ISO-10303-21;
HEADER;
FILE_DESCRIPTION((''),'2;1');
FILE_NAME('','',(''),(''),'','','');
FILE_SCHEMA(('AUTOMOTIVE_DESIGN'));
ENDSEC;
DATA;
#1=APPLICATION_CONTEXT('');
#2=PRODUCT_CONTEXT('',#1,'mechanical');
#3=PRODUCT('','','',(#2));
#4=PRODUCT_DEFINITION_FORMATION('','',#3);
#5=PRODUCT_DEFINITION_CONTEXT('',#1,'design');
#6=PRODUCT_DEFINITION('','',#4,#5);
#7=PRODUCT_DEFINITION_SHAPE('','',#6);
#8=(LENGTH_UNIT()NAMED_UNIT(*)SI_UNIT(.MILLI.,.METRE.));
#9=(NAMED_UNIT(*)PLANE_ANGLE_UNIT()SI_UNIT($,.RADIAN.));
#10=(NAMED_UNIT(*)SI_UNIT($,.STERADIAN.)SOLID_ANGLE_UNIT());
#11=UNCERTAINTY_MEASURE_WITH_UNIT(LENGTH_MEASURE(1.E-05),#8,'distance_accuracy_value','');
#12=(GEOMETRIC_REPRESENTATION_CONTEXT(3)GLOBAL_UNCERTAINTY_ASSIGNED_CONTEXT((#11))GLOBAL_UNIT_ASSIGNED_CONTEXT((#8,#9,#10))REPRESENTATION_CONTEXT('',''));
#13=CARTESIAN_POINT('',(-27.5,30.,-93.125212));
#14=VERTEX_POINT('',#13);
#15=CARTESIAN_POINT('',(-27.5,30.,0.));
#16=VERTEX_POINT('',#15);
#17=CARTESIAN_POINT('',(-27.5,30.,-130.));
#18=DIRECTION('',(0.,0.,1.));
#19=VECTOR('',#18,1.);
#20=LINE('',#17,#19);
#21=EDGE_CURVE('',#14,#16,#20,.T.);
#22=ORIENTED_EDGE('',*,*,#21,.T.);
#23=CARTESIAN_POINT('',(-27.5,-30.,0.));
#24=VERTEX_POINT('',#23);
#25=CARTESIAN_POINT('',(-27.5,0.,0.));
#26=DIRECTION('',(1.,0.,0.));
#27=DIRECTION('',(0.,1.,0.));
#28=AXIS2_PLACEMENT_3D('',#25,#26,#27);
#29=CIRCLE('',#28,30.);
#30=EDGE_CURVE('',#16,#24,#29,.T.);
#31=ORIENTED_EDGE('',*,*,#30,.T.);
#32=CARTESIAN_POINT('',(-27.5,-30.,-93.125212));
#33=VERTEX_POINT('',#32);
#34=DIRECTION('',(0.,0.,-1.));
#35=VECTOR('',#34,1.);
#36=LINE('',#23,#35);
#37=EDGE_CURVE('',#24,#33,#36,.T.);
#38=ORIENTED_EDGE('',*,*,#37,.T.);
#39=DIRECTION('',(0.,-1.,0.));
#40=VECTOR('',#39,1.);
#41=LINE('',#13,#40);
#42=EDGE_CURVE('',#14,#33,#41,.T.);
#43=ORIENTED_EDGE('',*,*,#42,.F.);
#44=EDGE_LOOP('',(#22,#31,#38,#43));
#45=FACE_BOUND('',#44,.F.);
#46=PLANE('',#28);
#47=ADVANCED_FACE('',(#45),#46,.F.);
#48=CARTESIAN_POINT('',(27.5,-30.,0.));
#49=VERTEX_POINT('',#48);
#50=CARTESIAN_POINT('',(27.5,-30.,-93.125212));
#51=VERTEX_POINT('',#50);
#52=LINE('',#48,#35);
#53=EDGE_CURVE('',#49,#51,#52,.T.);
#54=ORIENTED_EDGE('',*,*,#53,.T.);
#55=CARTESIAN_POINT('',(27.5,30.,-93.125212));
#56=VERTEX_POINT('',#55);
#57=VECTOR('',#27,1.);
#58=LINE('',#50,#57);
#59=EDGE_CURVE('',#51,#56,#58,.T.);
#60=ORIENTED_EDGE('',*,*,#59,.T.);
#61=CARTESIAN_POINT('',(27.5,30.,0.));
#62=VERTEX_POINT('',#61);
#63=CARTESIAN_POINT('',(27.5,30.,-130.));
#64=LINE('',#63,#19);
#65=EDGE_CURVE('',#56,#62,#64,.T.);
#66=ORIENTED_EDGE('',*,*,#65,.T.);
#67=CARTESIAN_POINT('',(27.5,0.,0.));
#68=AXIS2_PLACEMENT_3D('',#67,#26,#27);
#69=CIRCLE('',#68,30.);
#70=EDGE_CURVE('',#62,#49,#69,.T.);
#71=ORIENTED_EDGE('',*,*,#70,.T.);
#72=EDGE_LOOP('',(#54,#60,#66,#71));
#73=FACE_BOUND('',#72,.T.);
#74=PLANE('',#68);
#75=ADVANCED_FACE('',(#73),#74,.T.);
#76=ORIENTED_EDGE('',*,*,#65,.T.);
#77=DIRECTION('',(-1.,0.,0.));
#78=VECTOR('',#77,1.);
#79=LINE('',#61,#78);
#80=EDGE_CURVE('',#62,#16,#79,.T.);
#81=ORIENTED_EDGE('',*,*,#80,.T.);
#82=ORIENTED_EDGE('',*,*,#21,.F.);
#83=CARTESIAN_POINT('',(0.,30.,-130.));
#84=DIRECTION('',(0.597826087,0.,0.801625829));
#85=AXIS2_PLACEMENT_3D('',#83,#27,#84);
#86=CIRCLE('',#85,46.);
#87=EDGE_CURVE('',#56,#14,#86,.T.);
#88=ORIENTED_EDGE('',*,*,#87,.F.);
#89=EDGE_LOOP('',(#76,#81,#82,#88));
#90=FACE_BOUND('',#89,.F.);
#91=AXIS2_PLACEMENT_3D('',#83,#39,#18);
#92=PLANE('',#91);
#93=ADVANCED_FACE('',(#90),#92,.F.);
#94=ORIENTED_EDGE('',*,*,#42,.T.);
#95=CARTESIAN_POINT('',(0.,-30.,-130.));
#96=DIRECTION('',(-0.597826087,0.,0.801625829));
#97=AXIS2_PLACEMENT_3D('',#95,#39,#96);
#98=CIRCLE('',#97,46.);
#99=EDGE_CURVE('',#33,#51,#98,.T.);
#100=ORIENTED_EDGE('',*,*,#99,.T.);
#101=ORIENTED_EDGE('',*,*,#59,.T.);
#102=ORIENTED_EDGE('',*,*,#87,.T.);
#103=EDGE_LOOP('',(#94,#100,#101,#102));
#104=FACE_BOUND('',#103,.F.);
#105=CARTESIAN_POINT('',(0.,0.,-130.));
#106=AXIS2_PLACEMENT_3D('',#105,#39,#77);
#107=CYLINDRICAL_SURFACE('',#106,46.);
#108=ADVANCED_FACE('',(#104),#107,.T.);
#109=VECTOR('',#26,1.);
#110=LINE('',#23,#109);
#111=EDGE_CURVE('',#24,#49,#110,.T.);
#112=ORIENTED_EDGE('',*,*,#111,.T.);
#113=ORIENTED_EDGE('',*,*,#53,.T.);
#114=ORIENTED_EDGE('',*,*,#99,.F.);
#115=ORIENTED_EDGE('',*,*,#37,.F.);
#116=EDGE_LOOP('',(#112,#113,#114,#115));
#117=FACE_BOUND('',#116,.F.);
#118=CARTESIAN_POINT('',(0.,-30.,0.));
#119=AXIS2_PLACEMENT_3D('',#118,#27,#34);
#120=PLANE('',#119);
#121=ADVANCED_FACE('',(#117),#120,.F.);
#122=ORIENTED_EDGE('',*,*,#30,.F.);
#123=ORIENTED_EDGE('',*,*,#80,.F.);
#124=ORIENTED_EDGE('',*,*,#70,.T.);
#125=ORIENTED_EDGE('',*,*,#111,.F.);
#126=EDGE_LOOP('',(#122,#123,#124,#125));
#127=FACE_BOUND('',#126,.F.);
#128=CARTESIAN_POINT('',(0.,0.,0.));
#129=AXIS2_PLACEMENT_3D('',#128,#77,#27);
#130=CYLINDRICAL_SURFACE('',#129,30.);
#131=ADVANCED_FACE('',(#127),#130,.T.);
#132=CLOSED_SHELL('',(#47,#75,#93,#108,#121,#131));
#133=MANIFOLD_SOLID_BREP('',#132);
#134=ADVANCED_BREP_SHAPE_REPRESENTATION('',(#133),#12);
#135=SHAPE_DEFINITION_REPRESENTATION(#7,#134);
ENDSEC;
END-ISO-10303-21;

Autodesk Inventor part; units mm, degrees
ref_plane "YZ Plane" through (0, 0, 0) normal (1, 0, 0) x (0, 1, 0)
ref_plane "XZ Plane" through (0, 0, 0) normal (0, 1, 0) x (-1, 0, 0)
sketch "Sketch1" plane through (0, 0, 0) normal (1, 0, 0) x (0, 1, 0)
  circle A0 centre (0, 0) radius 30
  line L0 (-30, 0) -> (-30, -130)
  line L1 (-30, -130) -> (30, -130)
  line L2 (30, -130) -> (30, 0)
  dimension "d0" = 60
  dimension "d1" = 130
extrude "Extrusion1" add sketch "Sketch1" along normal mid plane 55
sketch "Sketch2" plane through (0, 0, 0) normal (0, 1, 0) x (-1, 0, 0)
  line L0 (-27.5, -130) -> (27.5, -130) projected
  circle A0 centre (0, -130) radius 46
  point P0 (0, 0)
  dimension "d4" = 92
extrude "Extrusion2" add sketch "Sketch2" along normal mid plane 60
ref_plane "Work Plane1" through (0, 0, -84) normal (0, 0, 1) x (1, 0, 0)
sketch "Sketch3" plane through (0, 0, -84) normal (0, 0, 1) x (1, 0, 0)
  circle A0 centre (0, 0) radius 10
  dimension "d13" = 20
properties part number "thigh"
